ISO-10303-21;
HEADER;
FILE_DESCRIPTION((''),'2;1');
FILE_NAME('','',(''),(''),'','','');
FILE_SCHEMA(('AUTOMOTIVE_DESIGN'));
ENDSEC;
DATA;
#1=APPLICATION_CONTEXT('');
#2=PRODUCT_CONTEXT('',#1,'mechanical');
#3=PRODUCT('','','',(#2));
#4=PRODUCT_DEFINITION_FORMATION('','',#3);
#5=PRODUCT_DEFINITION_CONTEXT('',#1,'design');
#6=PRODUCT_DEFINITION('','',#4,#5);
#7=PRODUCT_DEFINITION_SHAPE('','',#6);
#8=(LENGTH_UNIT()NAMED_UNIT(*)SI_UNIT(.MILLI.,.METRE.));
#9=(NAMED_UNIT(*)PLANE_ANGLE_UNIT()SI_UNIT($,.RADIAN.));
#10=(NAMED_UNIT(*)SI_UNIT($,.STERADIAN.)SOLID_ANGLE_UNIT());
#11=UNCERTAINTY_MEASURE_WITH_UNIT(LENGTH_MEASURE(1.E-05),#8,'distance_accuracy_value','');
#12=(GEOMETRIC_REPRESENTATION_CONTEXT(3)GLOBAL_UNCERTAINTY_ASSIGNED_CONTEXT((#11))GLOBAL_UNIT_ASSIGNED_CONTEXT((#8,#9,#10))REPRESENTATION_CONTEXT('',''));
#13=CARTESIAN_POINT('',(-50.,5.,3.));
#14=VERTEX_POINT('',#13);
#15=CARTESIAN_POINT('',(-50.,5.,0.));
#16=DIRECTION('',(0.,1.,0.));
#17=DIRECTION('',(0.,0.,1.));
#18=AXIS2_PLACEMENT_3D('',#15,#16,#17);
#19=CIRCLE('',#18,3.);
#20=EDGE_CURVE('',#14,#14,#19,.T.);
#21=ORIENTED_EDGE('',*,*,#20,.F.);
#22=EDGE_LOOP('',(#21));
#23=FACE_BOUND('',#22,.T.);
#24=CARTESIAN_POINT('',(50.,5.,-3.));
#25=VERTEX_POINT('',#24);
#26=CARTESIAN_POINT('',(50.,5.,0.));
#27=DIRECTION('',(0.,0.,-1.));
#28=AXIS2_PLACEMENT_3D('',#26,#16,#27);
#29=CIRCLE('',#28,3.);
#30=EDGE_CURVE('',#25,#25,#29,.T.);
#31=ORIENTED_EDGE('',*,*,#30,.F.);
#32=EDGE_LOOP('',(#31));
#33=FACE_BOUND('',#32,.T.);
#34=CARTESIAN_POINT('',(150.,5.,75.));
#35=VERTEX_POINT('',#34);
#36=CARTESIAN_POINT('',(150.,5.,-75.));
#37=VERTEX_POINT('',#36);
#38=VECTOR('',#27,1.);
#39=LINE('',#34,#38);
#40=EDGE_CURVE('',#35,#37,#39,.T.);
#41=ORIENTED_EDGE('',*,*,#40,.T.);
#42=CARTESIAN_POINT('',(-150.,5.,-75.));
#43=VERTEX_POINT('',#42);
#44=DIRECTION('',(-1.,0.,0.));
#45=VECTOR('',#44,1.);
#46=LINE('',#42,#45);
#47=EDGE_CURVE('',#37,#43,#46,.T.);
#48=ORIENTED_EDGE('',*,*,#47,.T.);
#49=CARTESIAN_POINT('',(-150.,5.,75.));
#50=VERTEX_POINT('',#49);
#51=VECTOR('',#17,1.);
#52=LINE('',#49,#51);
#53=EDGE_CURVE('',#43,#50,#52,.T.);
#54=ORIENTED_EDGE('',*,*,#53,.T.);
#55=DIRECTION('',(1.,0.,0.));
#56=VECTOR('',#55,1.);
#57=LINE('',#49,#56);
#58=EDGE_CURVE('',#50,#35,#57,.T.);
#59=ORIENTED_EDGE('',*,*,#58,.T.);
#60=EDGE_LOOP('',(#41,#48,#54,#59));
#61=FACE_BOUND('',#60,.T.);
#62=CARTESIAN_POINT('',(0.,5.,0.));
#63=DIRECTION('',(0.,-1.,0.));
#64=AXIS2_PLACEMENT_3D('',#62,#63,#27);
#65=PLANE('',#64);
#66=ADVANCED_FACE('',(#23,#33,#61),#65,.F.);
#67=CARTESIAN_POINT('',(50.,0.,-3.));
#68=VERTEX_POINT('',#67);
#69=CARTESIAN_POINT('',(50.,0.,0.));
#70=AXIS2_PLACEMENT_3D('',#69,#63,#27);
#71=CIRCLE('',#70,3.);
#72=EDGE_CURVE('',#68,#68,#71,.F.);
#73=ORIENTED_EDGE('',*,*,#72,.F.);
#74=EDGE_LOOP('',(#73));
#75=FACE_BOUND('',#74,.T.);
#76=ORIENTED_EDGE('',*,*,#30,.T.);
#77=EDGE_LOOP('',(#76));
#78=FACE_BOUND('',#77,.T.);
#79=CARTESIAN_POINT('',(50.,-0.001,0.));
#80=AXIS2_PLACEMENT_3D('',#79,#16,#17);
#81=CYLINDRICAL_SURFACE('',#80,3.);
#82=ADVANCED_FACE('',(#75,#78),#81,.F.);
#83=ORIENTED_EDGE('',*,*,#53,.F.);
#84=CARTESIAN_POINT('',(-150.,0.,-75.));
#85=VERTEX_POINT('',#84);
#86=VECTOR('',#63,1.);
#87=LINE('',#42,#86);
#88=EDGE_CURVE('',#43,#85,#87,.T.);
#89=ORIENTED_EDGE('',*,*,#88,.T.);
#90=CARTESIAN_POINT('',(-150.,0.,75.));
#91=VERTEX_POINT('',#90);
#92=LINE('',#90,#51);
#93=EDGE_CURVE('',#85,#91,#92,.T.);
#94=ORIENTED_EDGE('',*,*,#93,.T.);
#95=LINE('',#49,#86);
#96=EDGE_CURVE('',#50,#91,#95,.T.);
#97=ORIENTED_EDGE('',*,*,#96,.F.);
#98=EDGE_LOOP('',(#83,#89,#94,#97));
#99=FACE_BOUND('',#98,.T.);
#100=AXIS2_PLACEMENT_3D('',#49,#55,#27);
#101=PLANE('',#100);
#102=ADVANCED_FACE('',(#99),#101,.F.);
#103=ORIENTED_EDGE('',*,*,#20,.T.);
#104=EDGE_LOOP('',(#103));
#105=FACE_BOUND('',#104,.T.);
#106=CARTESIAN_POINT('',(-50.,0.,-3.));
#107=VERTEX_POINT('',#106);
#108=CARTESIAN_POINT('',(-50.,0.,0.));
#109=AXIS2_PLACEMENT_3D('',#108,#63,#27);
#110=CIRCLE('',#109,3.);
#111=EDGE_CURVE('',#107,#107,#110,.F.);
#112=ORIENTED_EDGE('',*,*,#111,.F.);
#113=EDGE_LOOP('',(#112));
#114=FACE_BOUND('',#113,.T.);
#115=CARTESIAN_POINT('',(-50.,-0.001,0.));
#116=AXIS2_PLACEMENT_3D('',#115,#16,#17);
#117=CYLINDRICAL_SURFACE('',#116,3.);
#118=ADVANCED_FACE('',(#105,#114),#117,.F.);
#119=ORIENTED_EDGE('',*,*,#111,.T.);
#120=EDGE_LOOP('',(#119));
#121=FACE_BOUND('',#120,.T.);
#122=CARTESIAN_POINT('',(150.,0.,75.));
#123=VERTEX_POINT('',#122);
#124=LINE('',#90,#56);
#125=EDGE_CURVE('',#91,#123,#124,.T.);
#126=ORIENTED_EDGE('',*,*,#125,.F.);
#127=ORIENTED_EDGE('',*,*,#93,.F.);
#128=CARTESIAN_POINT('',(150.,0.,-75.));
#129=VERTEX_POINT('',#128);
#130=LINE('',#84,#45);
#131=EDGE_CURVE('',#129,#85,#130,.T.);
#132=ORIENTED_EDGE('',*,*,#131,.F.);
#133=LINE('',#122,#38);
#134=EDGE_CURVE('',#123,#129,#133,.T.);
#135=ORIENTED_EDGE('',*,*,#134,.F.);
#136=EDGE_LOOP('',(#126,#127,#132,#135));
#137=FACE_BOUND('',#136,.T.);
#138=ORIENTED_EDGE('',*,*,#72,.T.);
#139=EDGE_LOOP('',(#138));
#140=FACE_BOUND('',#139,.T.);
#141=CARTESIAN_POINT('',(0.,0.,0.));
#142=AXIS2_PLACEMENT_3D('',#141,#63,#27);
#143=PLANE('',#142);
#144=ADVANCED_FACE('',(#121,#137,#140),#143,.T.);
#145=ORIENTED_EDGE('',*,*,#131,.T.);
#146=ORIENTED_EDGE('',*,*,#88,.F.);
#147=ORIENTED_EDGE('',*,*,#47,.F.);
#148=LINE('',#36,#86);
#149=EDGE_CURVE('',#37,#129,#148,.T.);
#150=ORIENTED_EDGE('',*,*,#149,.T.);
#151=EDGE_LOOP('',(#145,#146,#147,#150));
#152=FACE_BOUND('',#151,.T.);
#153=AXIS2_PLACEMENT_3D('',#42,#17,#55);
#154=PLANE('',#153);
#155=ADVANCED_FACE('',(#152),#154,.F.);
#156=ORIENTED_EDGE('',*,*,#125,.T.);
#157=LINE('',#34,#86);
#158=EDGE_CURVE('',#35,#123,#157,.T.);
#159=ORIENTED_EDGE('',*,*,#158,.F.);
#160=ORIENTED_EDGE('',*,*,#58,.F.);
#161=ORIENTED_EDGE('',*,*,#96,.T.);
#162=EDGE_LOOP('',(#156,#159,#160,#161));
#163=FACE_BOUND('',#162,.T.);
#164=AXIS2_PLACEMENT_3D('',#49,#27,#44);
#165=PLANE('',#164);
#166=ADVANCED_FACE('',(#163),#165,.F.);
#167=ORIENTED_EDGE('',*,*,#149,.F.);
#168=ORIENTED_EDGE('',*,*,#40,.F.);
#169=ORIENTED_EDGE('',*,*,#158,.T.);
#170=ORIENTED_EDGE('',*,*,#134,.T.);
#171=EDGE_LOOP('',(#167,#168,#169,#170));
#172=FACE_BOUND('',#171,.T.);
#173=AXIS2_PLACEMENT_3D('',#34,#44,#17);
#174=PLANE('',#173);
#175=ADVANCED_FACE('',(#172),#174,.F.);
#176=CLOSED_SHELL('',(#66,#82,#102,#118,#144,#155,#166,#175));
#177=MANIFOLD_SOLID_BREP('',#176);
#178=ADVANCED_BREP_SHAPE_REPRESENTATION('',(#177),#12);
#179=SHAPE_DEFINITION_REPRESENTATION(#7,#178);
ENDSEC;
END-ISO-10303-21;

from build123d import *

# Parameters (mm, degrees)
SKETCH1_W           = 300
SKETCH1_H           = 150
BOSS_EXTRUDE1_DEPTH = 5
CUT_EXTRUDE1_REACH  = 7
SKETCH2_R           = 3


with BuildPart() as part:
    # Sketch1 → Boss-Extrude1 (new body)
    with BuildSketch(Plane(origin=(0, 0, 0), x_dir=(1, 0, 0), z_dir=(0, 1, 0))):
        Rectangle(SKETCH1_W, SKETCH1_H)
    extrude(amount=BOSS_EXTRUDE1_DEPTH)

    # Sketch2 → Cut-Extrude1 (cut, up to next)
    with BuildSketch(Plane(origin=(0, 5, 0), x_dir=(1, 0, 0), z_dir=(0, 1, 0)), mode=Mode.PRIVATE) as cut_extrude1_sk1:
        with Locations((-50, 0)):
            Circle(SKETCH2_R)
    cut_extrude1_tool1 = extrude(cut_extrude1_sk1.sketch, amount=-CUT_EXTRUDE1_REACH, mode=Mode.PRIVATE) & part.part
    add(cut_extrude1_tool1.solids().sort_by_distance((-50, 5, 0))[0], mode=Mode.SUBTRACT)
    # Sketch2 → Cut-Extrude1 (cut, up to next)
    with BuildSketch(Plane(origin=(0, 5, 0), x_dir=(1, 0, 0), z_dir=(0, 1, 0)), mode=Mode.PRIVATE) as cut_extrude1_sk2:
        with Locations((50, 0)):
            Circle(SKETCH2_R)
    cut_extrude1_tool2 = extrude(cut_extrude1_sk2.sketch, amount=-CUT_EXTRUDE1_REACH, mode=Mode.PRIVATE) & part.part
    add(cut_extrude1_tool2.solids().sort_by_distance((50, 5, 0))[0], mode=Mode.SUBTRACT)


solid = part.part
